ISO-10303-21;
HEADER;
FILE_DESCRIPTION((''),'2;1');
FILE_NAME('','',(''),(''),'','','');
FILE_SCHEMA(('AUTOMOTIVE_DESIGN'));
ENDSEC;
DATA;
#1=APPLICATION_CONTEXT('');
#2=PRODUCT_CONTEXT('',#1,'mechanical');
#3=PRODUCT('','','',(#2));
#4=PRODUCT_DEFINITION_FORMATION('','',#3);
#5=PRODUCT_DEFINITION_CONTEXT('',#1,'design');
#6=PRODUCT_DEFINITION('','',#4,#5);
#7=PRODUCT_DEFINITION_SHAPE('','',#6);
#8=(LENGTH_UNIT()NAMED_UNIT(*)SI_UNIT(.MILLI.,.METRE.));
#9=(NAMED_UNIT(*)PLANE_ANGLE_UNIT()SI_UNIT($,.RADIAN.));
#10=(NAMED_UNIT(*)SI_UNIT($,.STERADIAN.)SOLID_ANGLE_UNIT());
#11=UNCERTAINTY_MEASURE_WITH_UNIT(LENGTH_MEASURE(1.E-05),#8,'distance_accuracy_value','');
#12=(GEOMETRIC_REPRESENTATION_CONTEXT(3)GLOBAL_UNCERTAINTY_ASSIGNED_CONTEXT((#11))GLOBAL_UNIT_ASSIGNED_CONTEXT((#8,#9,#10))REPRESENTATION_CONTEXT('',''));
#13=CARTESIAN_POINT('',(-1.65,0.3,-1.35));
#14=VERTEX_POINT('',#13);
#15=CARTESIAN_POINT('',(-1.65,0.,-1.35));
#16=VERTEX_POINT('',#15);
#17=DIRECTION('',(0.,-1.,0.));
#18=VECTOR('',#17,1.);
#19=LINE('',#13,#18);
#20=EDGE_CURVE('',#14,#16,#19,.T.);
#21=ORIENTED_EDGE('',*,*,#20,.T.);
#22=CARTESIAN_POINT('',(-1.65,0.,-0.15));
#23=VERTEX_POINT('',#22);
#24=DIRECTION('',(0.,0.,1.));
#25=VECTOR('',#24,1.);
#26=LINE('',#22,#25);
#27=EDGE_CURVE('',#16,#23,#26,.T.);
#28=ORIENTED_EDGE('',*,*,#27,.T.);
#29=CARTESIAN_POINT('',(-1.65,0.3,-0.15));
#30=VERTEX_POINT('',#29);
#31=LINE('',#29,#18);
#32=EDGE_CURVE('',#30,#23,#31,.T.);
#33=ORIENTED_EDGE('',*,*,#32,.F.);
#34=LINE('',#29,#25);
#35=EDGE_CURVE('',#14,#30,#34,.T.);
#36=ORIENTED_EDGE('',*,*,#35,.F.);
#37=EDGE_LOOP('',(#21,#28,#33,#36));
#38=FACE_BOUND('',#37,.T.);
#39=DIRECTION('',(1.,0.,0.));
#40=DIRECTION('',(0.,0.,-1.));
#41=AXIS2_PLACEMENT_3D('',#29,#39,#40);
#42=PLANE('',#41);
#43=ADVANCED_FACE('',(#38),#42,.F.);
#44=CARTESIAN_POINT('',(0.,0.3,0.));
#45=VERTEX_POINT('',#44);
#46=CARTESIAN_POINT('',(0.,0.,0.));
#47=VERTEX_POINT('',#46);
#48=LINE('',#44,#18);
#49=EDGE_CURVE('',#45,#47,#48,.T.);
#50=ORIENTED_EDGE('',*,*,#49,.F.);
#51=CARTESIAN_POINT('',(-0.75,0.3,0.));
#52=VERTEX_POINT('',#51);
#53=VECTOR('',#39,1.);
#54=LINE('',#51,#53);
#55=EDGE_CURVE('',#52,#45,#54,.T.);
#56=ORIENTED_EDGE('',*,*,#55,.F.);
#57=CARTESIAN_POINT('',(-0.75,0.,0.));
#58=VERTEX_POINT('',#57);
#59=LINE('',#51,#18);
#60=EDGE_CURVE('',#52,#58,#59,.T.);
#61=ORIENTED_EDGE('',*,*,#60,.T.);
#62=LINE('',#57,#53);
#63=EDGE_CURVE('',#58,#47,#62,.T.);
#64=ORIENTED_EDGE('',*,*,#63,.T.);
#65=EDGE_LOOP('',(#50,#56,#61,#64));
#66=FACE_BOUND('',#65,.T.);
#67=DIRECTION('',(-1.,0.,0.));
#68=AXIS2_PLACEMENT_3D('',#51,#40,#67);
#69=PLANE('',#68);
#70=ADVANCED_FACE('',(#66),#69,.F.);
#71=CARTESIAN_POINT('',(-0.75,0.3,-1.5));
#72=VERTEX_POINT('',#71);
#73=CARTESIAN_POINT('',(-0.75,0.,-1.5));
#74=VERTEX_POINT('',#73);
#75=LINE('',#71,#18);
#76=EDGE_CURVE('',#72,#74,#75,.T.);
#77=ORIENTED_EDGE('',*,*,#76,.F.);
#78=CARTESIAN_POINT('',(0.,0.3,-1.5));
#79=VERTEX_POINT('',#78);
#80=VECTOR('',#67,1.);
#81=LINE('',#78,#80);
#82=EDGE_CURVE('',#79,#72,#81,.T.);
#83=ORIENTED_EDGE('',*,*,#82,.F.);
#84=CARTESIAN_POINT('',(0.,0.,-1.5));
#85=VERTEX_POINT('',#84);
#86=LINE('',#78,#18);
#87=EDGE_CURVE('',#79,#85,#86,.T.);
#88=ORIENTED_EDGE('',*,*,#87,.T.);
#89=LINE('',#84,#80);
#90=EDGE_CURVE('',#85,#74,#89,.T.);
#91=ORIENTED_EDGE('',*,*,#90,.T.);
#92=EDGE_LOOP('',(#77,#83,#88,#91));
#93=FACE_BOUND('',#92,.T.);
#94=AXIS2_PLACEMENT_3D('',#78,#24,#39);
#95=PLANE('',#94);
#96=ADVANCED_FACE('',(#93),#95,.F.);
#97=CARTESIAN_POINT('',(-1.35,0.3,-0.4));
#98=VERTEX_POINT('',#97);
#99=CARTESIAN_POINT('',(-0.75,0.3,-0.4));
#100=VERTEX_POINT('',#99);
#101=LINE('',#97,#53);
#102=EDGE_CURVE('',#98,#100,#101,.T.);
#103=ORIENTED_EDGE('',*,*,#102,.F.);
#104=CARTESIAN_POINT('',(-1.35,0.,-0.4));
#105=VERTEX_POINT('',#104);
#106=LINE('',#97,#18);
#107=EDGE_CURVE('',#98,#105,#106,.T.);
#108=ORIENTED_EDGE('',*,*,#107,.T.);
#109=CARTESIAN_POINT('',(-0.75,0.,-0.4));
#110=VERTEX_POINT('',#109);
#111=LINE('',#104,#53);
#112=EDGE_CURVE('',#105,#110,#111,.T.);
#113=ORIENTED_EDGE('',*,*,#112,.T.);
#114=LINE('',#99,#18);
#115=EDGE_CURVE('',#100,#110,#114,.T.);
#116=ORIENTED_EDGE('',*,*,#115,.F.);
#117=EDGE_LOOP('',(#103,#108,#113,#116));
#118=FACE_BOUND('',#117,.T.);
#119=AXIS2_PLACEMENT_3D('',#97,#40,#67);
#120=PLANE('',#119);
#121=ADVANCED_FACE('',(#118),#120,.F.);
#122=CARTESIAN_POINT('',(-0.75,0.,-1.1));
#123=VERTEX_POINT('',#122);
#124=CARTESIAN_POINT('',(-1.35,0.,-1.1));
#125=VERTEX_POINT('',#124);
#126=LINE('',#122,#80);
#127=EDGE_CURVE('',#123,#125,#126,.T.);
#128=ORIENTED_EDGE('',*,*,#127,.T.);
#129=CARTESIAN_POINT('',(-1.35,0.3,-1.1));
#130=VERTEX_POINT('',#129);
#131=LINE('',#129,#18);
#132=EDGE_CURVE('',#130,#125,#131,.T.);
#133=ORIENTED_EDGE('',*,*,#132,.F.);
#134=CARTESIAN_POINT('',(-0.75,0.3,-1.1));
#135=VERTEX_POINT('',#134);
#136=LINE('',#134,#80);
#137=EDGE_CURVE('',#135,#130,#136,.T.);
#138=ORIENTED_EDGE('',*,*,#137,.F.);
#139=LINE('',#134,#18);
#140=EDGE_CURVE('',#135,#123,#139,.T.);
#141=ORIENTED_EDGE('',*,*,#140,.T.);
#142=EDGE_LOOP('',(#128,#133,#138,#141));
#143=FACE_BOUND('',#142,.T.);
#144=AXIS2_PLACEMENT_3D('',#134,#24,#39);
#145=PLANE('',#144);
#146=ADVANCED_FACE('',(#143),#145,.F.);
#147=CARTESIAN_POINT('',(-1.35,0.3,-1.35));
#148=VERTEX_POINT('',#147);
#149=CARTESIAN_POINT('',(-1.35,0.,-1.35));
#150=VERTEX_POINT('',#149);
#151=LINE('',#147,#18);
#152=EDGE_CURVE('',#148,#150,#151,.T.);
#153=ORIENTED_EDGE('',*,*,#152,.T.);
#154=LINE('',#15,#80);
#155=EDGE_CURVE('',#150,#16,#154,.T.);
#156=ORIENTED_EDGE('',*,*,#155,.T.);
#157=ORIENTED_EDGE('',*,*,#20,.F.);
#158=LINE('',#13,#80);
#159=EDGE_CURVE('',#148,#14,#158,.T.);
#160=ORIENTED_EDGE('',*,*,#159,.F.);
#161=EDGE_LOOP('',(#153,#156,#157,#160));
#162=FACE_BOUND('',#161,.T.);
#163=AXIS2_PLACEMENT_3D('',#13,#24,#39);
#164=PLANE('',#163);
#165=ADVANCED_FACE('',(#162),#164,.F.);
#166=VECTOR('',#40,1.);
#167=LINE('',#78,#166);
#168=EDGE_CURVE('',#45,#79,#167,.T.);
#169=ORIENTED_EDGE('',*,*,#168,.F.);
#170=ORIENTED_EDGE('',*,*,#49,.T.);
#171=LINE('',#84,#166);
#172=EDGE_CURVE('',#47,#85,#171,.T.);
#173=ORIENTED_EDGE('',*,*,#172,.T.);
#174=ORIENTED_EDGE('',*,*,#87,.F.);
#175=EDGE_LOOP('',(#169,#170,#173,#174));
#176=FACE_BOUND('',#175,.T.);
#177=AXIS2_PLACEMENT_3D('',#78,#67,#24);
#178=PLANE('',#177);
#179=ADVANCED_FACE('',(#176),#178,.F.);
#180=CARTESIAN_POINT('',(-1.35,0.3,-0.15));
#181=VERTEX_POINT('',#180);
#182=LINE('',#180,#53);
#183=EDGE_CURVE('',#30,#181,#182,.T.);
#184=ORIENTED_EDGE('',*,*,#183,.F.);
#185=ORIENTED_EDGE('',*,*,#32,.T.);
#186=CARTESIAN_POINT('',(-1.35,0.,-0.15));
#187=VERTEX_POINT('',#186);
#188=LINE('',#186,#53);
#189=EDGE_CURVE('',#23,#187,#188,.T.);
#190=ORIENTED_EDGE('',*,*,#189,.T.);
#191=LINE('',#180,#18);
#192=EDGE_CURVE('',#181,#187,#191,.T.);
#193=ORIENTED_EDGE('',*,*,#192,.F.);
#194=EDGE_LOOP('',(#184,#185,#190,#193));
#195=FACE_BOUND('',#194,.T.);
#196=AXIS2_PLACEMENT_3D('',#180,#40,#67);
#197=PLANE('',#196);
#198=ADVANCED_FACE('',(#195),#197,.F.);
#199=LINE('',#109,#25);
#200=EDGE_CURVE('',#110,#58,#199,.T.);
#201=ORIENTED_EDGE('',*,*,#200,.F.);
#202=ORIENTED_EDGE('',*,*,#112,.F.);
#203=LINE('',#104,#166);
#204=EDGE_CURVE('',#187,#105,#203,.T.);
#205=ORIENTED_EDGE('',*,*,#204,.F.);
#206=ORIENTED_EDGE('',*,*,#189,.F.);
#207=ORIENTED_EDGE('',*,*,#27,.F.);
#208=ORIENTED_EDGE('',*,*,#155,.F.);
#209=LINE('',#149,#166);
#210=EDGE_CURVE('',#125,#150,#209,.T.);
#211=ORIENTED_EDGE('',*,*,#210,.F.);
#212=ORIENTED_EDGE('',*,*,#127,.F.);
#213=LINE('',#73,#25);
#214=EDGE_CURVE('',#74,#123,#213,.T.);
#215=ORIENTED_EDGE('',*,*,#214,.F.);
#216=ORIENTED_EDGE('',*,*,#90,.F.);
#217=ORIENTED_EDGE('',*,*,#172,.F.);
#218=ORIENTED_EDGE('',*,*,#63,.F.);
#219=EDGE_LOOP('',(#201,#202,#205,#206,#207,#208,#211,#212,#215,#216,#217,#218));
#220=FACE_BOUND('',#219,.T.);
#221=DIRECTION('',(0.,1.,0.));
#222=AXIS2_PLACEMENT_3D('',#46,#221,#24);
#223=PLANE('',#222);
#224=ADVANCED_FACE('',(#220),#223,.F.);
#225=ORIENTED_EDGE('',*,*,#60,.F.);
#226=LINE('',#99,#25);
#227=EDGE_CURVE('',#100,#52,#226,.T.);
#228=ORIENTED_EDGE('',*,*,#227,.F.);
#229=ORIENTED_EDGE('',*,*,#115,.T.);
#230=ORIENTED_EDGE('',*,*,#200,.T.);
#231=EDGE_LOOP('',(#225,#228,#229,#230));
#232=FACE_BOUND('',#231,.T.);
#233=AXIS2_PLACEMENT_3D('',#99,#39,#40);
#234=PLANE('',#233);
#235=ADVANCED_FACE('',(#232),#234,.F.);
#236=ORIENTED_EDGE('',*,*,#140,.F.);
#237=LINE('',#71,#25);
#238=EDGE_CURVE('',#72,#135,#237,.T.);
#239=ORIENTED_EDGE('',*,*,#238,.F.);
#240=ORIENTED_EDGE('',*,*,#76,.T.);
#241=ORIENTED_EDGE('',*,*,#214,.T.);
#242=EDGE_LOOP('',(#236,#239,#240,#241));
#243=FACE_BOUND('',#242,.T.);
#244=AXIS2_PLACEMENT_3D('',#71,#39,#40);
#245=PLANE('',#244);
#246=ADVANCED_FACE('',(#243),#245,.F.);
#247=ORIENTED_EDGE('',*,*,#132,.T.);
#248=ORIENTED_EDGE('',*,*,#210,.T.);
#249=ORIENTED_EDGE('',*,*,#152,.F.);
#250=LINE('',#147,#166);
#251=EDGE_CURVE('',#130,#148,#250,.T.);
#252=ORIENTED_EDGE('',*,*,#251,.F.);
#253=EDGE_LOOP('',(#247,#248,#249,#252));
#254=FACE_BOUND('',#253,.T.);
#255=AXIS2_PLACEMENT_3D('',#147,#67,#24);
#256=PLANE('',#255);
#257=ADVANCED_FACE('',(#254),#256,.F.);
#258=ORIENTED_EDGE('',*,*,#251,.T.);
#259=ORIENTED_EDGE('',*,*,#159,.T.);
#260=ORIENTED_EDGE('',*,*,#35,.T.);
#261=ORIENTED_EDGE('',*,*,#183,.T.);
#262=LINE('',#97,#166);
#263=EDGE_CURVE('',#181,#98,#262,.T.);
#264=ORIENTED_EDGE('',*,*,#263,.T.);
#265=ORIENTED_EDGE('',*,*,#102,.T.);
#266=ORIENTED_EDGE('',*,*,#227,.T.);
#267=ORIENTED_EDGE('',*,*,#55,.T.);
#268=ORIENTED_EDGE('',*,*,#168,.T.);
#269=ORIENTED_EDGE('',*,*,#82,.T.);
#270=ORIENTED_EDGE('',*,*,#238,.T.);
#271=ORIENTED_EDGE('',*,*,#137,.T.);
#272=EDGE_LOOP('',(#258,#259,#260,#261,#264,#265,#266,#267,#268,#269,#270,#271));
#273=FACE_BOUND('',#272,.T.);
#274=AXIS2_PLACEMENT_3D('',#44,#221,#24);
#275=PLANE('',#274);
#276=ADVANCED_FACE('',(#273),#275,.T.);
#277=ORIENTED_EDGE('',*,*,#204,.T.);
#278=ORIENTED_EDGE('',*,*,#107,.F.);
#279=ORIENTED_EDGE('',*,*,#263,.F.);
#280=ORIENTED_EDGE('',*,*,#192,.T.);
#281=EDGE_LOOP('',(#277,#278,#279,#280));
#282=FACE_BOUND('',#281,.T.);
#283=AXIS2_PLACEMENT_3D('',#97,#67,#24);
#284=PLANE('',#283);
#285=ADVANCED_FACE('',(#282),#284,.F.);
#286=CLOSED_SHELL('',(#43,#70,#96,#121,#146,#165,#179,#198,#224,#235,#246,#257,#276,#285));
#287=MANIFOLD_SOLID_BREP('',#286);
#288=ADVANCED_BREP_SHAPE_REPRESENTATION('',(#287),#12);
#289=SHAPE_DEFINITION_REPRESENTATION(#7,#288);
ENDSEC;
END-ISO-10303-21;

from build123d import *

# Parameters (mm, degrees)
BOSS_EXTRUDE1_DEPTH = 0.3


with BuildPart() as part:
    # Sketch1 → Boss-Extrude1 (new body)
    with BuildSketch(Plane(origin=(0, 0, 0), x_dir=(1, 0, 0), z_dir=(0, 1, 0))):
        Polygon((0, 1.5), (-0.75, 1.5), (-0.75, 1.1), (-1.35, 1.1), (-1.35, 1.35), (-1.65, 1.35), (-1.65, 0.15), (-1.35, 0.15), (-1.35, 0.4), (-0.75, 0.4), (-0.75, 0), (0, 0), align=None)
    extrude(amount=BOSS_EXTRUDE1_DEPTH)


solid = part.part
